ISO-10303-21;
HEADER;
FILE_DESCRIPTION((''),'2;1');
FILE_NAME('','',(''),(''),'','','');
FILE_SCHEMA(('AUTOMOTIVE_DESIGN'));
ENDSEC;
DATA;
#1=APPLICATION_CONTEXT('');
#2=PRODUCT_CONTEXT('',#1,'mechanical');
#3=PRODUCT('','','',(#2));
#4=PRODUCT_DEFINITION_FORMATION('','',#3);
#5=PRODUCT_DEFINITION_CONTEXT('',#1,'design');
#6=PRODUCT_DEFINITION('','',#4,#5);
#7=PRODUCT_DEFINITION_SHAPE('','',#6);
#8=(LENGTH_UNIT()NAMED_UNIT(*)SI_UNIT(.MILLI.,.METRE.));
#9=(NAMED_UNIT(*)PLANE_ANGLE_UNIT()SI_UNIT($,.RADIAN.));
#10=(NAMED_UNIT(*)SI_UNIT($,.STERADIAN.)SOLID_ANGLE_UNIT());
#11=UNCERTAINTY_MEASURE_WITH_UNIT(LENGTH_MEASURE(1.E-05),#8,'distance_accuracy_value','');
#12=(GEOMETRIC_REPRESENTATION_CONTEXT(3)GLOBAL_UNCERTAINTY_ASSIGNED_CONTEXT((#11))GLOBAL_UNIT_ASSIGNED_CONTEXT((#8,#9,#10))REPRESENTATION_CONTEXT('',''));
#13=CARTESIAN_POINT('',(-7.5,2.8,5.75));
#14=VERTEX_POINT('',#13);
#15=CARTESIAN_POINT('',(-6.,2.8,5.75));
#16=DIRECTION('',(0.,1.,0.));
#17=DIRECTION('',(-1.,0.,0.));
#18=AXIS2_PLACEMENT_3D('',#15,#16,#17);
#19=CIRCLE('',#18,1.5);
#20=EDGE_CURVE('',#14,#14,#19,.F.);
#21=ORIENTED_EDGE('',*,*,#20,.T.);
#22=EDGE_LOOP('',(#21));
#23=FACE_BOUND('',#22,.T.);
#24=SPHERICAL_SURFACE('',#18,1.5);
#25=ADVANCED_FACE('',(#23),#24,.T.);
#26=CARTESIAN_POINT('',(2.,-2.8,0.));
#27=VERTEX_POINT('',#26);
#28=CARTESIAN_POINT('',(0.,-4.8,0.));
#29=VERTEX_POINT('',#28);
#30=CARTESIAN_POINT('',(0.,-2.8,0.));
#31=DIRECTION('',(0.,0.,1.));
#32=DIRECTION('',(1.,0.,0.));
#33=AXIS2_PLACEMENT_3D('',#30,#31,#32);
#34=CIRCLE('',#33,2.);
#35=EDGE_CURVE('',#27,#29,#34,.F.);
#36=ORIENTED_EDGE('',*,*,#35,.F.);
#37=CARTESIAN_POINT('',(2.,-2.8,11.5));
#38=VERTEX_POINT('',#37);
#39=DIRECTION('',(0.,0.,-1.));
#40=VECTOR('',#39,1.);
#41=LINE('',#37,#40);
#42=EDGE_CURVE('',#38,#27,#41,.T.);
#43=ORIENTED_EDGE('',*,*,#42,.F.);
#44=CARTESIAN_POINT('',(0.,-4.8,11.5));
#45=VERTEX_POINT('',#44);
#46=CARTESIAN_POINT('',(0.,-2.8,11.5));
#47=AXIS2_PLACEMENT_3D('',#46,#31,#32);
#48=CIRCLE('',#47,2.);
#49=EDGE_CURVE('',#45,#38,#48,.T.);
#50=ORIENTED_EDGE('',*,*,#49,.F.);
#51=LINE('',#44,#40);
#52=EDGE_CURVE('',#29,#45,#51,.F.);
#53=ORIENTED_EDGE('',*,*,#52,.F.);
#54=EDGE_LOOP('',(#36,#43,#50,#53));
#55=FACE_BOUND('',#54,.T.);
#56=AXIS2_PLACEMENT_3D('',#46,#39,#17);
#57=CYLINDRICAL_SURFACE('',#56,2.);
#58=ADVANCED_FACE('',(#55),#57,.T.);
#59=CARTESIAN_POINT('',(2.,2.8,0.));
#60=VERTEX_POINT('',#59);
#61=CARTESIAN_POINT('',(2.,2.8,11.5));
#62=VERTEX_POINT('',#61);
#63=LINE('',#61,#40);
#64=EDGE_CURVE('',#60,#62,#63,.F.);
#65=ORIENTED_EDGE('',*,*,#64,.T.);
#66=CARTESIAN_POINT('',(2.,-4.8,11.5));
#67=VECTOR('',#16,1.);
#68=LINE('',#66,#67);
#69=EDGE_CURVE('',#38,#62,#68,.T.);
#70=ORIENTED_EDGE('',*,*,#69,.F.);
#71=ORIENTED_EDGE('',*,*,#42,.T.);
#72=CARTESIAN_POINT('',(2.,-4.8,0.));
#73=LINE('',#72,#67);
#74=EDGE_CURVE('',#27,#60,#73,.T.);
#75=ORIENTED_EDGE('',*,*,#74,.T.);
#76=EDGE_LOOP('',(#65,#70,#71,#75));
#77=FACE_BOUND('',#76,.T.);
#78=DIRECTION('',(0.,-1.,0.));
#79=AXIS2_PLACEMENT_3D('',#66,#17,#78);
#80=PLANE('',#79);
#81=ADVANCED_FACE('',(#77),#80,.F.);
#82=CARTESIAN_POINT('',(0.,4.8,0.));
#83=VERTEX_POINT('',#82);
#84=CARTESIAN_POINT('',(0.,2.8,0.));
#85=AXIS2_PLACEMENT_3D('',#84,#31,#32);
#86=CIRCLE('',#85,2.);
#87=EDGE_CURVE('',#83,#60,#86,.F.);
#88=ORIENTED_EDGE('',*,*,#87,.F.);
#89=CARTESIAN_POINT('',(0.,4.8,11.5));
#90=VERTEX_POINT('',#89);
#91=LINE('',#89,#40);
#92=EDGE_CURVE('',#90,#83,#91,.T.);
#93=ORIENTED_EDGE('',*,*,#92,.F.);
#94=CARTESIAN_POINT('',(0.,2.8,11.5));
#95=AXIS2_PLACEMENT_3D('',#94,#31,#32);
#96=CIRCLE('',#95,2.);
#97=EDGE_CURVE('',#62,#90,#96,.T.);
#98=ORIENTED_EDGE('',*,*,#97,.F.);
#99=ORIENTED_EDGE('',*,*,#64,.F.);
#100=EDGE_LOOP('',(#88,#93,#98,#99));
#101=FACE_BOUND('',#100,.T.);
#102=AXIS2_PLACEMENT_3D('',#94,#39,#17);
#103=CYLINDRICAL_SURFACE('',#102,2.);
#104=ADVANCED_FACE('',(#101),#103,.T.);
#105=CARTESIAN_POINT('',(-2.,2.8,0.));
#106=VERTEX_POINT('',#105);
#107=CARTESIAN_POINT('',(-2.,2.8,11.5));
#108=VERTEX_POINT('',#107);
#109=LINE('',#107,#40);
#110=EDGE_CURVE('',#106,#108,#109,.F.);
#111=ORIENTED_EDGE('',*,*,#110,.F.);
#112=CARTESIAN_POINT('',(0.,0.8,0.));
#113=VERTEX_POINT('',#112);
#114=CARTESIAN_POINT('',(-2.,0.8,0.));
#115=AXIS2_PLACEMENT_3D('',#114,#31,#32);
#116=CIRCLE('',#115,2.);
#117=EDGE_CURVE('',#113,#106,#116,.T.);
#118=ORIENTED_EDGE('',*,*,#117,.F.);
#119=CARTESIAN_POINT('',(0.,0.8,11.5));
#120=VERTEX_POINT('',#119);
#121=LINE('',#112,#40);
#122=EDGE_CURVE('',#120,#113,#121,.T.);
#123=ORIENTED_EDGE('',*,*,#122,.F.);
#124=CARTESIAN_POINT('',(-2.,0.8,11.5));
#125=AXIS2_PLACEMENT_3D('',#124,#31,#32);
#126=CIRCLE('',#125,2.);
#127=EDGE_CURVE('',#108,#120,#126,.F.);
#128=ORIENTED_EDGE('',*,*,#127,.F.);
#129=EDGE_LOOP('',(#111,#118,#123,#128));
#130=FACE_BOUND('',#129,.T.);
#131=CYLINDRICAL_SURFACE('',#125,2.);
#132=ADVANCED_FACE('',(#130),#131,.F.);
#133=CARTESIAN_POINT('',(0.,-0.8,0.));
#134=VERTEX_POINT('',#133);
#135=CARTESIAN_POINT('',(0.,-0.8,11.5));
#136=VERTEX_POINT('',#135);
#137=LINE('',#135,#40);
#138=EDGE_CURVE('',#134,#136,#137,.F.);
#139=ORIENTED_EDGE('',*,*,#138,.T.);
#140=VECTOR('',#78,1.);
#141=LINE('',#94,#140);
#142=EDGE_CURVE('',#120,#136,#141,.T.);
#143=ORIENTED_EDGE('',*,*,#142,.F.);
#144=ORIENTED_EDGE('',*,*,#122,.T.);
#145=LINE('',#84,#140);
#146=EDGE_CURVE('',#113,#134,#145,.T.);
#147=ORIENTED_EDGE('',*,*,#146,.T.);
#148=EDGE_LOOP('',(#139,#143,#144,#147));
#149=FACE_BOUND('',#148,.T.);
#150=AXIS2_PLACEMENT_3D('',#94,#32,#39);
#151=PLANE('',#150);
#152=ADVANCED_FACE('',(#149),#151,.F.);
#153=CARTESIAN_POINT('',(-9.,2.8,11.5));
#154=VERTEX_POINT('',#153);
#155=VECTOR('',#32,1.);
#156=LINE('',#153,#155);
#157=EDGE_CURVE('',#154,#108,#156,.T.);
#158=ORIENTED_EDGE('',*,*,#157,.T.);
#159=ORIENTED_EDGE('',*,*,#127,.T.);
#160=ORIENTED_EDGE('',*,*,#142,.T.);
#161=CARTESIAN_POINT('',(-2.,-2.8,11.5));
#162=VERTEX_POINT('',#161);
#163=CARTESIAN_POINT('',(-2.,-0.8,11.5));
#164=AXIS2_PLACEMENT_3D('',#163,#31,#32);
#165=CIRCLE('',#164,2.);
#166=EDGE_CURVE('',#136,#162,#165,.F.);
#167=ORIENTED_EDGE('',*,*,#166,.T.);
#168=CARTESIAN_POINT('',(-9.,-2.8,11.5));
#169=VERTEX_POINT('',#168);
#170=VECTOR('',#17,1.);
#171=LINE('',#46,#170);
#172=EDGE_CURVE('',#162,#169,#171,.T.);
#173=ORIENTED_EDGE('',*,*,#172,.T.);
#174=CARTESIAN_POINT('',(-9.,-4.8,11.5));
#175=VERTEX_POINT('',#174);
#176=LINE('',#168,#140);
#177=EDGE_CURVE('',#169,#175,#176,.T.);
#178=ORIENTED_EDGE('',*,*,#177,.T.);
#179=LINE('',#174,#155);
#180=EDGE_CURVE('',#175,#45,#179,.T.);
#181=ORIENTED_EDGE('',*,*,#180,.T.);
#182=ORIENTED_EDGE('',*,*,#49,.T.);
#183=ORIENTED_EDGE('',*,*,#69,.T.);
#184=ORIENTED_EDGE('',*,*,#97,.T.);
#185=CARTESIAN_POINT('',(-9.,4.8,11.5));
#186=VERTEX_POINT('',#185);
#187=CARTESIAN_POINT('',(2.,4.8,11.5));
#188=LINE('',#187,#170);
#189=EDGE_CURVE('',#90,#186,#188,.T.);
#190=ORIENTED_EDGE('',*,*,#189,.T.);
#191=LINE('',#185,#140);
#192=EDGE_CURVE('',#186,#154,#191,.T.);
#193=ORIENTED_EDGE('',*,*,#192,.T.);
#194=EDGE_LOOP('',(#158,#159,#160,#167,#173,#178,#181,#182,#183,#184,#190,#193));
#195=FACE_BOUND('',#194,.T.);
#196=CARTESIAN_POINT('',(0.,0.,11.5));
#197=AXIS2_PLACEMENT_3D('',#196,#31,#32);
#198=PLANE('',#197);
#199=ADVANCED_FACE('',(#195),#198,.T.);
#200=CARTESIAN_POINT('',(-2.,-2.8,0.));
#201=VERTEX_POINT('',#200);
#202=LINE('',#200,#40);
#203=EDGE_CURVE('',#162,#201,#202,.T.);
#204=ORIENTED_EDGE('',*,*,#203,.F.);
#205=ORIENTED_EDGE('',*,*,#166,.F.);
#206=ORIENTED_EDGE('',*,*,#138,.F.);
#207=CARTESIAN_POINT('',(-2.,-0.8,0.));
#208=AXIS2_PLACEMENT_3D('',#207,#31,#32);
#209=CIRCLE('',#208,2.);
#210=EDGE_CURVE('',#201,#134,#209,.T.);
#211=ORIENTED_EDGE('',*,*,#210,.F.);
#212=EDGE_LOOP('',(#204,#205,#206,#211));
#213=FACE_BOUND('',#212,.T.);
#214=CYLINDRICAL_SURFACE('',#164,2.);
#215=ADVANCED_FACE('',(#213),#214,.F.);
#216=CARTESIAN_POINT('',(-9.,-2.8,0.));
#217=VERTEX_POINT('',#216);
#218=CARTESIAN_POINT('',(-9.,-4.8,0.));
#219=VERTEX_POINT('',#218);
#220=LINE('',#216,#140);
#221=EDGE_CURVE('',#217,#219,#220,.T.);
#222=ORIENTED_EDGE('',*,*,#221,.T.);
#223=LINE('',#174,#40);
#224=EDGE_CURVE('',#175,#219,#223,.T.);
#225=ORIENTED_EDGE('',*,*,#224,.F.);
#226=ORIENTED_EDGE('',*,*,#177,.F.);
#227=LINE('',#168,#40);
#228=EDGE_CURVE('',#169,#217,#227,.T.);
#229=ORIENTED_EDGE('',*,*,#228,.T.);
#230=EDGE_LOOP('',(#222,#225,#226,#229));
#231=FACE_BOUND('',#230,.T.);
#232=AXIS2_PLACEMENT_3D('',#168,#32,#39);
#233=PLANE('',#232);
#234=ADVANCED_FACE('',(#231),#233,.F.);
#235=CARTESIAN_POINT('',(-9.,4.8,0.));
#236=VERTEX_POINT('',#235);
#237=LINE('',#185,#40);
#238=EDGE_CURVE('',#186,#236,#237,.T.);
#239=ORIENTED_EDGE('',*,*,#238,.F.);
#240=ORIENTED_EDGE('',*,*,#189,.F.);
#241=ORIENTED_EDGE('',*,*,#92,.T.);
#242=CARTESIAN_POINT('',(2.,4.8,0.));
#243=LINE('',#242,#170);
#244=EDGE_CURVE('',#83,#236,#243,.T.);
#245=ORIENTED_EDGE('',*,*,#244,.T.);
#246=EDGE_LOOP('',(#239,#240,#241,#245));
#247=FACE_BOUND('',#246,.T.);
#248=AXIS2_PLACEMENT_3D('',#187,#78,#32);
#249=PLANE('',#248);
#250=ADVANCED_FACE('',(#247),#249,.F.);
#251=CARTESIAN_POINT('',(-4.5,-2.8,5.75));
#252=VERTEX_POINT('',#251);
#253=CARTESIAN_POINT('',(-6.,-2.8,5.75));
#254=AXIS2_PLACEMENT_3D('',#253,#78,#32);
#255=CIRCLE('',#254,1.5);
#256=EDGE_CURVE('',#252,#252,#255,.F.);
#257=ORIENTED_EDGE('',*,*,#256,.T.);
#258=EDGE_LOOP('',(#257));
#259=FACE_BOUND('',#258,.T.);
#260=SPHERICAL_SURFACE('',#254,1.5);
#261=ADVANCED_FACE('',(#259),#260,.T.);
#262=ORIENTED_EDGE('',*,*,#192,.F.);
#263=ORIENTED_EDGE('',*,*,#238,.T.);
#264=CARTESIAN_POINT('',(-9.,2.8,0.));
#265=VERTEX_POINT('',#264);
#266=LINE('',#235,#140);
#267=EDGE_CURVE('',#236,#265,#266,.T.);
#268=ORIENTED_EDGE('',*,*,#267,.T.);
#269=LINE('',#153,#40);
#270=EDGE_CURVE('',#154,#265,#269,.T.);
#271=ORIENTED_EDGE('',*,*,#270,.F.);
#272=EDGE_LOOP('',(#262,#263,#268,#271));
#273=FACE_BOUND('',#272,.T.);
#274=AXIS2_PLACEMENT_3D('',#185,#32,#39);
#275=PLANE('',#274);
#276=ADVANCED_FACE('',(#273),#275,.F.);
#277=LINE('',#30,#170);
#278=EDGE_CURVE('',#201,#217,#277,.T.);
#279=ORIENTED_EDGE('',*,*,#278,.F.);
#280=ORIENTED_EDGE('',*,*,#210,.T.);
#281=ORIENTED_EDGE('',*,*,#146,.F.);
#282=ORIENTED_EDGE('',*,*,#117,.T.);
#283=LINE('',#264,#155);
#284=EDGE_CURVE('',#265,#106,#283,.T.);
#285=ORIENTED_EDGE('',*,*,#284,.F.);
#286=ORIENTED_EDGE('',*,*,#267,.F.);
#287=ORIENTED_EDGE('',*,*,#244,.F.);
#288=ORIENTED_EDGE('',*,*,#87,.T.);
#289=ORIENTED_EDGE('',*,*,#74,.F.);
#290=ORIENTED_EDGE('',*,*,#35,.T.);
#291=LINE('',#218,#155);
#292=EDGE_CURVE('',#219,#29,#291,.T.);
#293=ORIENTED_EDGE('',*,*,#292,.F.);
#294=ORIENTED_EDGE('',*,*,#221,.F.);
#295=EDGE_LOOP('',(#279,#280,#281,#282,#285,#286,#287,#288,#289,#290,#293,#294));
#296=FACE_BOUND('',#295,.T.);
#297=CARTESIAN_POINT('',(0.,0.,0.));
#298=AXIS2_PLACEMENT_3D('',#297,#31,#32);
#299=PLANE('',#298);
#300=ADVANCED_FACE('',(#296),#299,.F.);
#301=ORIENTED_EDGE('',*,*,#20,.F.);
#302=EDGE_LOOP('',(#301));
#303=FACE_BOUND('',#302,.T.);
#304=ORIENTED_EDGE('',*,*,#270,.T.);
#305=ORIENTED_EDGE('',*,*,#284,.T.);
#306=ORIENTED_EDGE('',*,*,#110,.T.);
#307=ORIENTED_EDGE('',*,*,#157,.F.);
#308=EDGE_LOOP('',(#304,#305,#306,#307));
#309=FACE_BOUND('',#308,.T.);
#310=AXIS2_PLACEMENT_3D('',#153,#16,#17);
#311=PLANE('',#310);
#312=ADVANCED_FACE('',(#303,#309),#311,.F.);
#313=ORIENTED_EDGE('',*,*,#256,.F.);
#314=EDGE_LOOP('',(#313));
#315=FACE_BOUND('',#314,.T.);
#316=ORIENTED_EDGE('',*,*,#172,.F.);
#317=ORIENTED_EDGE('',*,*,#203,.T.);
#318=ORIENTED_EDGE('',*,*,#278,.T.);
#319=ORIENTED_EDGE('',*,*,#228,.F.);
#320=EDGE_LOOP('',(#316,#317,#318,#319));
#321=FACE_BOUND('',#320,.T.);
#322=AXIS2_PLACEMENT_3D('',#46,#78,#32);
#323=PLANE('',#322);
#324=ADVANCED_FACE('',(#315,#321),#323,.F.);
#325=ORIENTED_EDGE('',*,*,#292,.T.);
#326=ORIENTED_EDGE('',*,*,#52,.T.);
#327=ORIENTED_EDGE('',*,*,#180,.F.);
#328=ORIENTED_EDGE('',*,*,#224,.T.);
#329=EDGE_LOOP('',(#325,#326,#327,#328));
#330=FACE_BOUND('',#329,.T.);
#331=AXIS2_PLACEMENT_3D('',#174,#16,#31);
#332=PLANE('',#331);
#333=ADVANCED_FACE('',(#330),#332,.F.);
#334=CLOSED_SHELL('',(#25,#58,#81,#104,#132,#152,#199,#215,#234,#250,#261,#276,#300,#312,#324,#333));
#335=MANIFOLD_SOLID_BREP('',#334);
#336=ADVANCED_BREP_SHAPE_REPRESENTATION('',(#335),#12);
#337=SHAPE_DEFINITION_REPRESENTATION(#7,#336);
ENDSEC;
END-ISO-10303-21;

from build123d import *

# Parameters (mm, degrees)
BOSS_EXTRUDE1_DEPTH = 11.5
REVOLVE1_ANGLE      = 180
FILLET1_R           = 2


with BuildPart() as part:
    # Sketch1 → Boss-Extrude1 (new body)
    with BuildSketch(Plane.XY):
        Polygon((-9, 2.8), (0, 2.8), (0, -2.8), (-9, -2.8), (-9, -4.8), (2, -4.8), (2, 4.8), (-9, 4.8), align=None)
    extrude(amount=BOSS_EXTRUDE1_DEPTH)

    # Sketch2 → Revolve1 (revolve)
    with BuildSketch(Plane.XZ.offset(-2.8)):
        with BuildLine():
            Line((-6, 4.25), (-6, 7.25))
            ThreePointArc((-6, 7.25), (-7.5, 5.75), (-6, 4.25))
        make_face()
    revolve1 = revolve(axis=Axis((-6, 2.8, 4.25), (0, 0, 1)), revolution_arc=REVOLVE1_ANGLE)

    # Mirror1: Revolve1 across plane
    add(revolve1.mirror(Plane.ZX))

    # Fillet1
    fillet1_edges = [part.edges().sort_by_distance(p)[0] for p in [
        (2, 4.8, 5.75),
        (2, -4.8, 5.75),
        (0, -2.8, 5.75),
        (0, 2.8, 5.75),
    ]]
    fillet(fillet1_edges, radius=FILLET1_R)


solid = part.part
